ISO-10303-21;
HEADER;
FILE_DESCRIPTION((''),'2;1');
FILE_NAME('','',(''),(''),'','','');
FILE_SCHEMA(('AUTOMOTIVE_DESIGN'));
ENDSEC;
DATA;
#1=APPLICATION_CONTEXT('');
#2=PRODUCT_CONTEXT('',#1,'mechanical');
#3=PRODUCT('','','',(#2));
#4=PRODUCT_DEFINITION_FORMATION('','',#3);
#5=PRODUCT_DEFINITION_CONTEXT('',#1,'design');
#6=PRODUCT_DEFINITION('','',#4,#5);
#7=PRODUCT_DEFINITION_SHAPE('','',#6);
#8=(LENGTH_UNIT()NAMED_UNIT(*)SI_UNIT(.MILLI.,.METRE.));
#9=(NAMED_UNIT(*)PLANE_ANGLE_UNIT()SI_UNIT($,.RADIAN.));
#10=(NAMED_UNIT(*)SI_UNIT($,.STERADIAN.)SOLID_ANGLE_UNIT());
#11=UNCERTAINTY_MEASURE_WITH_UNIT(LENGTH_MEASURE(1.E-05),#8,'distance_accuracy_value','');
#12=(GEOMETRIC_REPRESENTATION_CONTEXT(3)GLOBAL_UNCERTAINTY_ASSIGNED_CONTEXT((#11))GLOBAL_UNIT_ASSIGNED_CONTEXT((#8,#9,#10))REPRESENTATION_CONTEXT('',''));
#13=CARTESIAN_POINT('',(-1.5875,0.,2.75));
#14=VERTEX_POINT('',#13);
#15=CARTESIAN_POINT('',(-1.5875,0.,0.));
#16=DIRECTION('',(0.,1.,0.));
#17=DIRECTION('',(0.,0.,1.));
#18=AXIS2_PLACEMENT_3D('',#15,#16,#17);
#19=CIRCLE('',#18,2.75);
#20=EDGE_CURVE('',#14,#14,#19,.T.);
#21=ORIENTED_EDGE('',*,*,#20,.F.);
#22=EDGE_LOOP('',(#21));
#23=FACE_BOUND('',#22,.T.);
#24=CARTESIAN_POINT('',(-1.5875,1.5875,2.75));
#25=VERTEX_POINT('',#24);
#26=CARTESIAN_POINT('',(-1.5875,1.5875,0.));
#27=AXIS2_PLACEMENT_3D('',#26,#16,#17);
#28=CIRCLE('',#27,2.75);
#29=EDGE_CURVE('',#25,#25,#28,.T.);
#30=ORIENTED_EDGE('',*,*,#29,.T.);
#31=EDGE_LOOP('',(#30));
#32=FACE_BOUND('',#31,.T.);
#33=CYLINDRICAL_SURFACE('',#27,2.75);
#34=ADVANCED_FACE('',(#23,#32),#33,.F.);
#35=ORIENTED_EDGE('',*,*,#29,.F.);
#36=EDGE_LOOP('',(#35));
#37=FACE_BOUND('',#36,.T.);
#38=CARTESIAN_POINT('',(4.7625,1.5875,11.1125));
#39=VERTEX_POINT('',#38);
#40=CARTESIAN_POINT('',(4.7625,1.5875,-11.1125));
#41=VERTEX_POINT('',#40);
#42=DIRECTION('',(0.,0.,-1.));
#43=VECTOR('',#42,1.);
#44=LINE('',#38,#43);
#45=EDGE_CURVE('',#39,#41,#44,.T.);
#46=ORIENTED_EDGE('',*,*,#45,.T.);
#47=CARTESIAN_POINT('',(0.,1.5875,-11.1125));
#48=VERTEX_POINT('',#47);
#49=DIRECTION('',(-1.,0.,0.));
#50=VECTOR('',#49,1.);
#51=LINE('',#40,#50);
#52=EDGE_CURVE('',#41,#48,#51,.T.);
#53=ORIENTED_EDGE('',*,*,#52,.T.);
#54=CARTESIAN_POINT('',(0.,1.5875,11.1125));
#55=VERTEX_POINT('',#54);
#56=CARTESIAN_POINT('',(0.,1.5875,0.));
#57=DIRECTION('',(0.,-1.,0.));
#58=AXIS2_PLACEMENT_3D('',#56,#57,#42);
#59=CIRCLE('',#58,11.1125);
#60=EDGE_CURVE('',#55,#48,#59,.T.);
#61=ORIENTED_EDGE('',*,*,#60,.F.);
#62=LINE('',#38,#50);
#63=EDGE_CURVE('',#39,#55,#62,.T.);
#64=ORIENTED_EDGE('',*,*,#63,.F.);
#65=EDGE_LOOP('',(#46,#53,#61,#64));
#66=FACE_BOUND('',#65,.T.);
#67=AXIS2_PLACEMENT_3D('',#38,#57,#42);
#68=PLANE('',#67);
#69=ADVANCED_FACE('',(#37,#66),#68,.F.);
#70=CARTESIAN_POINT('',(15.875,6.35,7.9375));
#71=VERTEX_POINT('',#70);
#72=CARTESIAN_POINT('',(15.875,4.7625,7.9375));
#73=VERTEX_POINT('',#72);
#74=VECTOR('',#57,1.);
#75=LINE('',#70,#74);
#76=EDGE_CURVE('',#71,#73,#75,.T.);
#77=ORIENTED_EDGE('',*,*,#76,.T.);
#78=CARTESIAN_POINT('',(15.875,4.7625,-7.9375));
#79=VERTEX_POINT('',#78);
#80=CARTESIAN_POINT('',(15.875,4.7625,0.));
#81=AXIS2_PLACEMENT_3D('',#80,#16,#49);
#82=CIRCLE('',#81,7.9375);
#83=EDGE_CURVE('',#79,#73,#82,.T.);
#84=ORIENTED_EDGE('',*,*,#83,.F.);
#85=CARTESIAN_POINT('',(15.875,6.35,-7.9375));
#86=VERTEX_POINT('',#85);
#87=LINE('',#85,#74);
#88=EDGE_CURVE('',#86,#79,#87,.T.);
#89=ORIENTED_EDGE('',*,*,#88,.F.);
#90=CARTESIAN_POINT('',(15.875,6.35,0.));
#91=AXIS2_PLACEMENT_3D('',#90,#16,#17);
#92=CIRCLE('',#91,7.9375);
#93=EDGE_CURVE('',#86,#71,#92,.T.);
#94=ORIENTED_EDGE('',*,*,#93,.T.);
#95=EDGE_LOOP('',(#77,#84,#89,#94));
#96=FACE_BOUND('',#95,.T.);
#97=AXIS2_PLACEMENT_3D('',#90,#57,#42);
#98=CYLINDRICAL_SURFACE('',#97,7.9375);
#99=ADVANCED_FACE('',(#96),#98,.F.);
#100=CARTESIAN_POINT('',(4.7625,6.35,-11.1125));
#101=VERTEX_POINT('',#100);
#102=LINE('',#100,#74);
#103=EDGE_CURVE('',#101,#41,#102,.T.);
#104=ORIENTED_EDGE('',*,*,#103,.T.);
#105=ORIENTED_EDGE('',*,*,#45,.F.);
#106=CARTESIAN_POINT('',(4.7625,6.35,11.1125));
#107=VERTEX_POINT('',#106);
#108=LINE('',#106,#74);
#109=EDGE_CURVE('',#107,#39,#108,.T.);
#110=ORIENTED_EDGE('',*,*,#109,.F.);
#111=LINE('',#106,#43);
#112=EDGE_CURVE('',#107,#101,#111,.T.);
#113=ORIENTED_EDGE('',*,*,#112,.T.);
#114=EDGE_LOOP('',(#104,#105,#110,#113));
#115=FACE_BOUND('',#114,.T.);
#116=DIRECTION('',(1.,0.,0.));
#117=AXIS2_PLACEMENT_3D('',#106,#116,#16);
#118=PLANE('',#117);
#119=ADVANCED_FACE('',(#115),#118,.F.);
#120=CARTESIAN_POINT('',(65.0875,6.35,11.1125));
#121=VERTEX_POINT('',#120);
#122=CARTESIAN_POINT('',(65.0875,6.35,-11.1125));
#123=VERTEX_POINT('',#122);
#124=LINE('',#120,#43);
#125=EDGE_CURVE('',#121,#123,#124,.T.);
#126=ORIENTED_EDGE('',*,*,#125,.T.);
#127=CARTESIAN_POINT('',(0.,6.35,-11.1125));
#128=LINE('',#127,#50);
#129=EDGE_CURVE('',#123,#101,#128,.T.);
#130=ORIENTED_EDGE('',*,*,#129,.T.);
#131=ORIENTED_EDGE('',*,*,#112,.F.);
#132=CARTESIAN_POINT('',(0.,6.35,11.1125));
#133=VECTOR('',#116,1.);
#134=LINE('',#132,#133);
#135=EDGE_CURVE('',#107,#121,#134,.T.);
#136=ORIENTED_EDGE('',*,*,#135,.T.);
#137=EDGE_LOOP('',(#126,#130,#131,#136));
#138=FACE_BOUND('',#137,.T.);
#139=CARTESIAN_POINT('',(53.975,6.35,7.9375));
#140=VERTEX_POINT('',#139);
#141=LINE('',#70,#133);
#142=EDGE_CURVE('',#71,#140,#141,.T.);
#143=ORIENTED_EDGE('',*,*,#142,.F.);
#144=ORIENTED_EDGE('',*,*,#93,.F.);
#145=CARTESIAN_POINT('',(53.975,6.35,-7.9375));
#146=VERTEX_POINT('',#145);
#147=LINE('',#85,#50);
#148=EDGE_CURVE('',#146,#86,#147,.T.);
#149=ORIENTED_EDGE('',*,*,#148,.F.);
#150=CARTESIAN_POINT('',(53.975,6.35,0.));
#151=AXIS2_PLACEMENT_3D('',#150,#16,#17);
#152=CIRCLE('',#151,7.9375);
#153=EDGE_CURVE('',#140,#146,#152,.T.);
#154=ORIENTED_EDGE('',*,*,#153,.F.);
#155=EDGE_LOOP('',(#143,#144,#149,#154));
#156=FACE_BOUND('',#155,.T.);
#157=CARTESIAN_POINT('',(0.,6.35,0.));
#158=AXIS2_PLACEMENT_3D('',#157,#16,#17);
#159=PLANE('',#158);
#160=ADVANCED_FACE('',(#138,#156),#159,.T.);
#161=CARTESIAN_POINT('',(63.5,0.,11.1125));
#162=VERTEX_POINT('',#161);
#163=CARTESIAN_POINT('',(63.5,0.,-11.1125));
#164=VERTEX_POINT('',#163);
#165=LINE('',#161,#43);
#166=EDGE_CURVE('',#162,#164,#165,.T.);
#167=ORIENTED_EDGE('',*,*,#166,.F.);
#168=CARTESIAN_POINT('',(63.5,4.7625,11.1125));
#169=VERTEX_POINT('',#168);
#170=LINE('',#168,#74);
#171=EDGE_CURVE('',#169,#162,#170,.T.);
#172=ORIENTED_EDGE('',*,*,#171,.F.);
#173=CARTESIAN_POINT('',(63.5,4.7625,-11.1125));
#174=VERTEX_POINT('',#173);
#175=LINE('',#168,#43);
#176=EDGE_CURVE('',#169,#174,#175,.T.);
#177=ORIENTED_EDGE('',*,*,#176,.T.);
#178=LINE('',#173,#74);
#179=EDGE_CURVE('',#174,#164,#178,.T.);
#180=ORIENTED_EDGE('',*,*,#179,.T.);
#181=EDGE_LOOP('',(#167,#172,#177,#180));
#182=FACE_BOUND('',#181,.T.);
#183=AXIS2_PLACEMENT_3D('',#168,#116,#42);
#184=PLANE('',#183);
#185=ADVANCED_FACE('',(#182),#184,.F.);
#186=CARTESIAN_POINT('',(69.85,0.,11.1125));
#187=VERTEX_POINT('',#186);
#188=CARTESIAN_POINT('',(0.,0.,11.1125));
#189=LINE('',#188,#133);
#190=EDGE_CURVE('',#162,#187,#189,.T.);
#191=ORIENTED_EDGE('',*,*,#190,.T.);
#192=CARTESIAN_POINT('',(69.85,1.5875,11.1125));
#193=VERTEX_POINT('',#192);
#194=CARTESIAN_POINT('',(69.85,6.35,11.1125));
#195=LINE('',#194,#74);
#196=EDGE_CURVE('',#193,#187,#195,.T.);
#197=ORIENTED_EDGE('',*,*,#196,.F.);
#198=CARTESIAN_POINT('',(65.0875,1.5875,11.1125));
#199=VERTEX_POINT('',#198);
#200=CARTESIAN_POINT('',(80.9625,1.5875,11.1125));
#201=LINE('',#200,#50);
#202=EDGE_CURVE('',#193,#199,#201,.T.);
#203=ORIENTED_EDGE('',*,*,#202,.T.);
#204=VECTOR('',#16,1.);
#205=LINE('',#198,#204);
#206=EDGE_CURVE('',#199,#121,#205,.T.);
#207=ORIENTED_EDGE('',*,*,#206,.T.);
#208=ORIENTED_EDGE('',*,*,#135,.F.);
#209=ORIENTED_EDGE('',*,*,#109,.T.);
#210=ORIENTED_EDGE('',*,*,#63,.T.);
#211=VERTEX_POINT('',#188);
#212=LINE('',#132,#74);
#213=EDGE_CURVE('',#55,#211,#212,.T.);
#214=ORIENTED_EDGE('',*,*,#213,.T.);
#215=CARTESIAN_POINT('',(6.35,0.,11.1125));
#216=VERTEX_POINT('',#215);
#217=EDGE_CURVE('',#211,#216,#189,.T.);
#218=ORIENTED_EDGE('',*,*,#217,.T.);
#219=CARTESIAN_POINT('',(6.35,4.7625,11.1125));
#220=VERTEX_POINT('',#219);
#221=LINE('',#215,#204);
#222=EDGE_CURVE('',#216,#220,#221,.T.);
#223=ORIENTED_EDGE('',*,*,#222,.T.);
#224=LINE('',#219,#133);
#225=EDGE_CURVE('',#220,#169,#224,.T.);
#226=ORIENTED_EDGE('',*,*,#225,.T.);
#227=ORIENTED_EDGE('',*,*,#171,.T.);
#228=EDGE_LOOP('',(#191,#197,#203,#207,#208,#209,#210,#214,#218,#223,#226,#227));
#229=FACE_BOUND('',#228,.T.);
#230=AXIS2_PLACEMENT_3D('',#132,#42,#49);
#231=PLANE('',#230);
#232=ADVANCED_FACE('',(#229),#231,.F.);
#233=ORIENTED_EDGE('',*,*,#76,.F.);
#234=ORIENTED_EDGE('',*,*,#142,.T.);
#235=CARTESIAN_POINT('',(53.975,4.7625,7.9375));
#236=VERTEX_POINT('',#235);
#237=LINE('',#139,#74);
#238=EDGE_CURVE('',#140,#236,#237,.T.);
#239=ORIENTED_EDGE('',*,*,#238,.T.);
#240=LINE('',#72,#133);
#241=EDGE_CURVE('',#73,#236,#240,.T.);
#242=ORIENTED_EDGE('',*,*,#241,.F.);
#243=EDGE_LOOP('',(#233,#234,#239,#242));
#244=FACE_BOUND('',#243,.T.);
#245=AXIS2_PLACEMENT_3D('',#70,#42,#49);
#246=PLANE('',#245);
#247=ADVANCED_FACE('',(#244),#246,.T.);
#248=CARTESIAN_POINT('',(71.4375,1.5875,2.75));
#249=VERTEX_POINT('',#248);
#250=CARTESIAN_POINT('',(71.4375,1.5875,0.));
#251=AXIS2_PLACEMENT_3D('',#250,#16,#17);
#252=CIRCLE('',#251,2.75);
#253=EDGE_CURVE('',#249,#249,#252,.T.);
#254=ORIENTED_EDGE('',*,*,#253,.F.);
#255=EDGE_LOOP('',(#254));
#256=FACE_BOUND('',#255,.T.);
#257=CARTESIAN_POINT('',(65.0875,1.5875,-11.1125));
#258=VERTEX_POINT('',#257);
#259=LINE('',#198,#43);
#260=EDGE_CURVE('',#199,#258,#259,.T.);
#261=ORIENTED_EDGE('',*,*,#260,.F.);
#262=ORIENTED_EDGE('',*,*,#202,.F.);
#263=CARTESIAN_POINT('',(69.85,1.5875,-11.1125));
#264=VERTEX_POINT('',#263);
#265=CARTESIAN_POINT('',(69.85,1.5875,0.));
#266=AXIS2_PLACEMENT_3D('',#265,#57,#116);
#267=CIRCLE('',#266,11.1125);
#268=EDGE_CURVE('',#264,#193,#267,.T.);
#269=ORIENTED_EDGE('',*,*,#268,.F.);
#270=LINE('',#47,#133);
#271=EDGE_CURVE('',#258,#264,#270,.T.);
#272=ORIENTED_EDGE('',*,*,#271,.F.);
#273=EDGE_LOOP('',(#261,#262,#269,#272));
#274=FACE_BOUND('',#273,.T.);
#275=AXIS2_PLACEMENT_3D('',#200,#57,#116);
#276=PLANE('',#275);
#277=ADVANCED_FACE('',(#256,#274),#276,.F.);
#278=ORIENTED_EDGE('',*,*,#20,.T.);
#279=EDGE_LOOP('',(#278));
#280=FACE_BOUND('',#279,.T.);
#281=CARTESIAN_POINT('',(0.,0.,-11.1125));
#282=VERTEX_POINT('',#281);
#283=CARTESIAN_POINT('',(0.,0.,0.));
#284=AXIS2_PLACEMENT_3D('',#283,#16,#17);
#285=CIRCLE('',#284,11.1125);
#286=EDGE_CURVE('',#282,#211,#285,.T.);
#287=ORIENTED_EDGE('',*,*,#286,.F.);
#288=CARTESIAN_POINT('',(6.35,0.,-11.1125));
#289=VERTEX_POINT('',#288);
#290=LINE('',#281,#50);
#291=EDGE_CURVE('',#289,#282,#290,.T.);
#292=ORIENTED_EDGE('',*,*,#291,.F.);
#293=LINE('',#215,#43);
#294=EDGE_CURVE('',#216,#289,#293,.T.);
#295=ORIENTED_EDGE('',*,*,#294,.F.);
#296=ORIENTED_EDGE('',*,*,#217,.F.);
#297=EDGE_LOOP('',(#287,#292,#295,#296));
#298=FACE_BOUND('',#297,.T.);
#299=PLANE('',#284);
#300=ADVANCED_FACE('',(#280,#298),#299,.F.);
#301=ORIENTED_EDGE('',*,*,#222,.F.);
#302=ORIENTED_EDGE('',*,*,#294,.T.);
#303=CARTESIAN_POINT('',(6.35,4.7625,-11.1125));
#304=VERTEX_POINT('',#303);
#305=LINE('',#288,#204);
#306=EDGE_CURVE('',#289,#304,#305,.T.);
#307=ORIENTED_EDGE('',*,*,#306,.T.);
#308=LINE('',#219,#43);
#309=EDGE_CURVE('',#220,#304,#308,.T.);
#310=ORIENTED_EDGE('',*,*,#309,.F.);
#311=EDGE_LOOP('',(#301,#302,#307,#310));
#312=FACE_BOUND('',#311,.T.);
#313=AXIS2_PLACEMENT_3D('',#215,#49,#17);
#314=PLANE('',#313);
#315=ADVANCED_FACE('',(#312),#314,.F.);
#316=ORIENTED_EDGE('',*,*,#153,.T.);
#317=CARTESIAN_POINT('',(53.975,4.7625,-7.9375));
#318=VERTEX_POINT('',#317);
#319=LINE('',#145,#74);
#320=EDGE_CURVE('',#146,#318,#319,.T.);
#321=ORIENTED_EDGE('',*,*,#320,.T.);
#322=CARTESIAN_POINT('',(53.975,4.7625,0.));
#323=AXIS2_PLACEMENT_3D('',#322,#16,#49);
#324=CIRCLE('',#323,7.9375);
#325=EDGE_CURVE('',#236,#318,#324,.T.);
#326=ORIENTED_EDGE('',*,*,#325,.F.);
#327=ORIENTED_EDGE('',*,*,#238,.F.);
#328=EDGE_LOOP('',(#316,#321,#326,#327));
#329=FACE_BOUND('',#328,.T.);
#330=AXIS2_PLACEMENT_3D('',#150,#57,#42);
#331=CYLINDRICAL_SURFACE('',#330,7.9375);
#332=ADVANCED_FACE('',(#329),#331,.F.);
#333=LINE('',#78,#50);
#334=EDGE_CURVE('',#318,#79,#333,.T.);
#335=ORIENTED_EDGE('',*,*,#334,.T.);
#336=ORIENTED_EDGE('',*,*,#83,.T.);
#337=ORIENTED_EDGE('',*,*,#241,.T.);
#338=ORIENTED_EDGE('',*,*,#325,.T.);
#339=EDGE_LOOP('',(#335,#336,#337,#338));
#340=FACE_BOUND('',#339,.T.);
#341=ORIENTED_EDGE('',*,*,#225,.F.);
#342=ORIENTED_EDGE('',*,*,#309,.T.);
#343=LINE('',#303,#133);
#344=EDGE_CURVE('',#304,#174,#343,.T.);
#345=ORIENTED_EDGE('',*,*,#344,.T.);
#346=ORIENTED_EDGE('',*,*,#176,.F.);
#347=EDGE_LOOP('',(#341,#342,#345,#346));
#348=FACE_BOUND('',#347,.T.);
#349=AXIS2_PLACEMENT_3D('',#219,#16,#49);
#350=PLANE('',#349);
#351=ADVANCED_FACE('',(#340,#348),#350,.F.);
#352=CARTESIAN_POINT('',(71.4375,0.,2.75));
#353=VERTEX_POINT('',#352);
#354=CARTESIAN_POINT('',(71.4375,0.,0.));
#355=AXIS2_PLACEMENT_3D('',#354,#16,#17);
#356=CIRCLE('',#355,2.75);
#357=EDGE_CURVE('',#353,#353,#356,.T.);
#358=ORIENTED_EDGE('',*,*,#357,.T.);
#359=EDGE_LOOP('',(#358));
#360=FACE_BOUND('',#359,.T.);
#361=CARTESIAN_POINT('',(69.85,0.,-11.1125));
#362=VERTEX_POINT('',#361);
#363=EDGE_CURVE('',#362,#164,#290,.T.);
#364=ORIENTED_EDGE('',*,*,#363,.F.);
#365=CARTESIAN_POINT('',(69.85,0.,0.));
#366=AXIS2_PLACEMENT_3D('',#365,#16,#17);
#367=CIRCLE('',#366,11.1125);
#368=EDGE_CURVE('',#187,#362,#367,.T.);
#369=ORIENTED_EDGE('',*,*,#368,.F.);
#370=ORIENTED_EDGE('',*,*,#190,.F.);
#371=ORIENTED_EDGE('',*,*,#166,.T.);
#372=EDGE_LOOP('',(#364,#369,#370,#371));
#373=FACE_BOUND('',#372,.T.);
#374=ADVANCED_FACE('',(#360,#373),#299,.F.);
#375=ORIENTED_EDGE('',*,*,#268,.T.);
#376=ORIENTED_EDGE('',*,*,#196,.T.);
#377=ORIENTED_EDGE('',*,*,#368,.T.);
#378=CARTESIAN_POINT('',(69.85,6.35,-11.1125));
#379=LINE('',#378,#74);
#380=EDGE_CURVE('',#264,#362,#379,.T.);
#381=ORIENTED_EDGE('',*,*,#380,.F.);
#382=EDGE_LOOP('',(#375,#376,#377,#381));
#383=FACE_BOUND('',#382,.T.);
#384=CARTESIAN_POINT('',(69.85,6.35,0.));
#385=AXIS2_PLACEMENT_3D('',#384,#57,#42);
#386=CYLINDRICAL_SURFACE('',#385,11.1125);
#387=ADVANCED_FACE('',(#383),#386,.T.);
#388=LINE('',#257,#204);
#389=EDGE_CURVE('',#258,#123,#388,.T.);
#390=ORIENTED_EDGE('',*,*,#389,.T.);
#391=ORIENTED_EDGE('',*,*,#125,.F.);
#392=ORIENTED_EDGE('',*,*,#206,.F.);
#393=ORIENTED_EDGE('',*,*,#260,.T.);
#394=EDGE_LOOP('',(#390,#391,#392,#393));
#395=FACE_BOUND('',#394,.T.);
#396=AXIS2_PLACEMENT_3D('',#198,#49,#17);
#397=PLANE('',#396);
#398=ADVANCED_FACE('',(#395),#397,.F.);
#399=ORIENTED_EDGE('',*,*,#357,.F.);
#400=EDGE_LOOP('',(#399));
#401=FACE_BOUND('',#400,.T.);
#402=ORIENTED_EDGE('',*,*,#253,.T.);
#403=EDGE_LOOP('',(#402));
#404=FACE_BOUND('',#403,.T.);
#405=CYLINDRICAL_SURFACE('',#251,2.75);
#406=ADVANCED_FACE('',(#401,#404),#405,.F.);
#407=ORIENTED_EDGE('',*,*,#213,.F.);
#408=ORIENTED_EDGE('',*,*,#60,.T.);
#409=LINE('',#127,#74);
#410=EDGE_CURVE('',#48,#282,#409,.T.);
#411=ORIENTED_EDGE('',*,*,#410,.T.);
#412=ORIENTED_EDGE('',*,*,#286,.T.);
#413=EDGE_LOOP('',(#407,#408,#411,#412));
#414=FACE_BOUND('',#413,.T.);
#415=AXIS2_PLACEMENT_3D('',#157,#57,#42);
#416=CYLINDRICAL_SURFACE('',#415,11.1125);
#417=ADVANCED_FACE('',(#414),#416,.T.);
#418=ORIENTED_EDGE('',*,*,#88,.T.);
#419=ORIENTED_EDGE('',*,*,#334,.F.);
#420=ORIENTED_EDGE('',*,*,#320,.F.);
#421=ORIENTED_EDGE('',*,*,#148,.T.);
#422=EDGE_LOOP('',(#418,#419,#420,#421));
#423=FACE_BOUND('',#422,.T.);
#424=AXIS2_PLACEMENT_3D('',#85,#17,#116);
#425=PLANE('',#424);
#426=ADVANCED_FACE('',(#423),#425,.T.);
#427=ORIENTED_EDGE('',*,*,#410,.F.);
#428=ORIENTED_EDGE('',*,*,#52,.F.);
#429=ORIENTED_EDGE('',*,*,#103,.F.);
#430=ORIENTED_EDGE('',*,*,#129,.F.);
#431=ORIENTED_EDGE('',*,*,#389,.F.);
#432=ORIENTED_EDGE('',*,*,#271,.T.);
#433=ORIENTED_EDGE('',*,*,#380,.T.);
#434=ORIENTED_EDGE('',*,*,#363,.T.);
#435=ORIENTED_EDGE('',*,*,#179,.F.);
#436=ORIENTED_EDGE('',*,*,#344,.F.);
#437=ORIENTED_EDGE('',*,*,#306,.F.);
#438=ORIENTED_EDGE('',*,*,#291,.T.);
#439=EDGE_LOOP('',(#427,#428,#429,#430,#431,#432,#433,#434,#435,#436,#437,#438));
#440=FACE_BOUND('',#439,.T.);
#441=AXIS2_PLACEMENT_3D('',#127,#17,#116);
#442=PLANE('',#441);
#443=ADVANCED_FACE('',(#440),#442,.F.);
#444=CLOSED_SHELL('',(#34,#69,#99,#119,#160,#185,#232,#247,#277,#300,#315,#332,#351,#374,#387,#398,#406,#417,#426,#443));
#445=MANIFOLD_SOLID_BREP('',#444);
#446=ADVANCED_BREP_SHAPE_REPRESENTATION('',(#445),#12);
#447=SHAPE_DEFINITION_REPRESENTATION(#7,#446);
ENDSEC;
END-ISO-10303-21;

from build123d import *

# Parameters (mm, degrees)
BOSS_EXTRUDE1_DEPTH  = 6.35
SKETCH6_W            = 57.15
SKETCH6_H            = 4.7625
SKETCH6_W_2          = 15.875
CUT_EXTRUDE1_DEPTH   = 85.197384349
M5_CLEARANCE_HOLE1_D = 5.5


with BuildPart() as part:
    # Sketch2 → Boss-Extrude1 (new body)
    with BuildSketch(Plane(origin=(0, 0, 0), x_dir=(1, 0, 0), z_dir=(0, 1, 0))):
        with BuildLine():
            Line((0, 11.1125), (69.85, 11.1125))
            ThreePointArc((69.85, 11.1125), (80.9625, 0), (69.85, -11.1125))
            Line((69.85, -11.1125), (0, -11.1125))
            ThreePointArc((0, -11.1125), (-11.1125, 0), (0, 11.1125))
        make_face()
        with BuildLine():
            Line((15.875, 7.9375), (53.975, 7.9375))
            ThreePointArc((53.975, 7.9375), (61.9125, 0), (53.975, -7.9375))
            Line((53.975, -7.9375), (15.875, -7.9375))
            ThreePointArc((15.875, -7.9375), (7.9375, 0), (15.875, 7.9375))
        make_face(mode=Mode.SUBTRACT)
    extrude(amount=BOSS_EXTRUDE1_DEPTH)

    # Sketch6 → Cut-Extrude1 (cut, through all)
    with BuildSketch(Plane(origin=(0, 0, -11.1125), x_dir=(-1, 0, 0), z_dir=(0, 0, -1))):
        with Locations((-34.925, 2.38125)):
            Rectangle(SKETCH6_W, SKETCH6_H)
        with Locations((-73.025, 3.96875)):
            Rectangle(SKETCH6_W_2, SKETCH6_H)
        with Locations((3.175, 3.96875)):
            Rectangle(SKETCH6_W_2, SKETCH6_H)
    extrude(amount=-CUT_EXTRUDE1_DEPTH, mode=Mode.SUBTRACT)

    # M5 Clearance Hole1 (through all)
    with Locations(Plane(origin=(0, 1.5875, 0), x_dir=(1, 0, 0), z_dir=(0, 1, 0))):
        with Locations((-1.5875, 0), (71.4375, 0)):
            Hole(M5_CLEARANCE_HOLE1_D / 2)


solid = part.part
